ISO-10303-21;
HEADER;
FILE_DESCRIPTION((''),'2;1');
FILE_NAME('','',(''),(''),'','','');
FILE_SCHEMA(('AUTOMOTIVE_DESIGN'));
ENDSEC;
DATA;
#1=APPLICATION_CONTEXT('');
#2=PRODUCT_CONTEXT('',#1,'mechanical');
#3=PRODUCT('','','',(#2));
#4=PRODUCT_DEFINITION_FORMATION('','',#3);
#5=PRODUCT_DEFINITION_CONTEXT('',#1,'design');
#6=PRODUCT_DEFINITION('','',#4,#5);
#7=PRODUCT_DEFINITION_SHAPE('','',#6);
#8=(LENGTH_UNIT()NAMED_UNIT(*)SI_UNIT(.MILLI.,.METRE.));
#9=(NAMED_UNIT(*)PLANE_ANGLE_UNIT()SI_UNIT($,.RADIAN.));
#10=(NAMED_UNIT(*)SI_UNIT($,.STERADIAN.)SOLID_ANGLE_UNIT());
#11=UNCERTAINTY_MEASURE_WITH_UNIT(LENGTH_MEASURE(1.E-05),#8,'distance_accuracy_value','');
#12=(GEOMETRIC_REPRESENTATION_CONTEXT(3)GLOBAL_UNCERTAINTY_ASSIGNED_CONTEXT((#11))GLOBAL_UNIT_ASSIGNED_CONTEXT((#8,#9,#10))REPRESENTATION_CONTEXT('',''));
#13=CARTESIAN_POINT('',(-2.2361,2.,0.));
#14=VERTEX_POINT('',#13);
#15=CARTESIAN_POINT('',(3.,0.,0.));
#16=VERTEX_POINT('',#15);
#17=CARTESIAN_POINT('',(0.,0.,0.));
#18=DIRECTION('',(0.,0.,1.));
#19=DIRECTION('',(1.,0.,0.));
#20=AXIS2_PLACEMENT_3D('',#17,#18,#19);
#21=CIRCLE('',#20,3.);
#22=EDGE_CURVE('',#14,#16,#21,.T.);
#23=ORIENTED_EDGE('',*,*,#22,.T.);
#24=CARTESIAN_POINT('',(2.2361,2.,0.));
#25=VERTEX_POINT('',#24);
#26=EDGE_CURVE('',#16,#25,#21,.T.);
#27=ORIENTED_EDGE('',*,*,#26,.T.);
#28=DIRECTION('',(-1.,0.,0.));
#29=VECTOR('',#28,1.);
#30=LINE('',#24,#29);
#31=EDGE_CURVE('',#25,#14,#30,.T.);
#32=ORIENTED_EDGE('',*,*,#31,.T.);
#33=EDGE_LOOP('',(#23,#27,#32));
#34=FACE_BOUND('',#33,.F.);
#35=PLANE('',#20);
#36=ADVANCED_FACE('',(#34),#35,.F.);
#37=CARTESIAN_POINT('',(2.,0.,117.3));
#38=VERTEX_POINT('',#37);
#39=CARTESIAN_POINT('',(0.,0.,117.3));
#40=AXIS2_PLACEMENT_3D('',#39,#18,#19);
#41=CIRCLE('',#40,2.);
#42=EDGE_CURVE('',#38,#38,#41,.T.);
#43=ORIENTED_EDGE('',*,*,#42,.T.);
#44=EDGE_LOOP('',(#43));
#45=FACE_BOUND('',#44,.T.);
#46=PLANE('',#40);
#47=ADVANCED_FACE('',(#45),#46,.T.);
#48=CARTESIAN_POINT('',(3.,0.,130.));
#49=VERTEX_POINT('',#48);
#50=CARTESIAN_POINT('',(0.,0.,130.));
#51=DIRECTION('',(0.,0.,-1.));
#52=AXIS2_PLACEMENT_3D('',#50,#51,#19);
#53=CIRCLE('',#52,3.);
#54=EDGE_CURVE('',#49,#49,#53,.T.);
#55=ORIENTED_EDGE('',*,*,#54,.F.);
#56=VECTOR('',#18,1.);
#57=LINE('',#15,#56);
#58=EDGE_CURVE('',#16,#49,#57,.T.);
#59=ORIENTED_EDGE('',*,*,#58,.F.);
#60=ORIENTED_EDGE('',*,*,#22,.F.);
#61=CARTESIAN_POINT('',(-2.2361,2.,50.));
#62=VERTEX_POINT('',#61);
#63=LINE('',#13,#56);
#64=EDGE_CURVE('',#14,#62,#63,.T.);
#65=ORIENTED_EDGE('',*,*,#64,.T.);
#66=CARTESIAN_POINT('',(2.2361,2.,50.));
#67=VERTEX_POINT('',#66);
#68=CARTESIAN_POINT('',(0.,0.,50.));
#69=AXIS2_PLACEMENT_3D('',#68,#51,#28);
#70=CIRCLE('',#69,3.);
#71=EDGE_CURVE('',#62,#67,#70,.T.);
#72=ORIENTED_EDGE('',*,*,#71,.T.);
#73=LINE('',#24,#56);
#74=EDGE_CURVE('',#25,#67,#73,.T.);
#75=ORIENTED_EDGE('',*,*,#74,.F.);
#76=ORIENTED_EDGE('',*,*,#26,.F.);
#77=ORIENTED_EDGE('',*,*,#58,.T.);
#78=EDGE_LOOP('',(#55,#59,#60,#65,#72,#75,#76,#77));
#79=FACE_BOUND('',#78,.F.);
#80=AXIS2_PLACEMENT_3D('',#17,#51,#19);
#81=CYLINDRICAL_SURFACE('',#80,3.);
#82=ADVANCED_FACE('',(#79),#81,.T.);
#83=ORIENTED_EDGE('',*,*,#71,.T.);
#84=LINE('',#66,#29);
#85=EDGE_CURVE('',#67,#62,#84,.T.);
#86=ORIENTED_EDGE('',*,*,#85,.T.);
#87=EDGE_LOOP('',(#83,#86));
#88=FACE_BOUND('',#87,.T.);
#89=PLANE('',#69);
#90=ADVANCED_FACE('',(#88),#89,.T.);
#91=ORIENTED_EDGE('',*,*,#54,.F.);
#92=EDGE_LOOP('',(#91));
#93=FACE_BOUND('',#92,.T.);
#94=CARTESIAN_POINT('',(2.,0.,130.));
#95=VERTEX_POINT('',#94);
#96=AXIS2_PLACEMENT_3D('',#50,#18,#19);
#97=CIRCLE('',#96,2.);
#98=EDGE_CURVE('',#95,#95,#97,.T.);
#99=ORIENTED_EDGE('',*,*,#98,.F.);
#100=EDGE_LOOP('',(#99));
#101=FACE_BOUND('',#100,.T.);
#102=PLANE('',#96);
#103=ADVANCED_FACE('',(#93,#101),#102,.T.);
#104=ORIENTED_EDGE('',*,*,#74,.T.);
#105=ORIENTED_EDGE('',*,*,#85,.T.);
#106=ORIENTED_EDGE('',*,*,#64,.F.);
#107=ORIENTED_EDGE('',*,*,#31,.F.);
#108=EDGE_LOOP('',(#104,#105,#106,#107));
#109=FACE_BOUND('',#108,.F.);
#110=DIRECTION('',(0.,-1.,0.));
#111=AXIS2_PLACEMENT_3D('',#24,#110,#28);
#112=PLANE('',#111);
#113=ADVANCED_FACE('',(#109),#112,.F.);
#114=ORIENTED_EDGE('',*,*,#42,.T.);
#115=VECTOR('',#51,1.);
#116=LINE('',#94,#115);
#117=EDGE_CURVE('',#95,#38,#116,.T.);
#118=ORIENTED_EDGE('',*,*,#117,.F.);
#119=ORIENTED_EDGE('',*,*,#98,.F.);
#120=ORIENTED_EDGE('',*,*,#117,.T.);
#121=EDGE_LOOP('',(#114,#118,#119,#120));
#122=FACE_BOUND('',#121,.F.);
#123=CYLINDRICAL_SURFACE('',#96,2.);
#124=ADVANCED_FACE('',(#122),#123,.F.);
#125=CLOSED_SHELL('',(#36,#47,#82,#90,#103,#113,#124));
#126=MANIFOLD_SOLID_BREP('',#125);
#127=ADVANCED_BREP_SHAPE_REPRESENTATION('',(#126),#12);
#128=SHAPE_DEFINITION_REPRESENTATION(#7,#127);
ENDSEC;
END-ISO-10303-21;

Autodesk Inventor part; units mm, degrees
ref_plane "YZ Plane" through (0, 0, 0) normal (1, 0, 0) x (0, 1, 0)
ref_plane "XZ Plane" through (0, 0, 0) normal (0, 1, 0) x (-1, 0, 0)
ref_plane "XY Plane" through (0, 0, 0) normal (0, 0, 1) x (1, 0, 0)
sketch "Sketch1" plane through (0, 0, 0) normal (0, 0, 1) x (1, 0, 0)
  circle A0 centre (0, 0) radius 3
  line L0 (-2.2361, 2) -> (2.2361, 2)
  arc A1 (-2.2361, 2) -> (2.2361, 2) centre (0, 0) ccw
  dimension "d0" = 6
  dimension "d1" = 2
extrude "Extrusion1" add sketch "Sketch1" along normal blind 130
sketch "Sketch3" plane through (0, 0, 130) normal (0, 0, 1) x (1, 0, 0)
  circle A0 centre (0, 0) radius 2
  dimension "d22" = 4
extrude "Extrusion3" cut sketch "Sketch3" against normal blind 12.7
sketch "Sketch4" plane through (0, 0, 0) normal (0, 0, -1) x (-1, 0, 0)
  circle A0 centre (0, 0) radius 3 projected
  line L0 (-2.2361, 2) -> (2.2361, 2)
  arc A1 (-2.2361, 2) -> (2.2361, 2) centre (0, 0) ccw
  dimension "d25" = 2
extrude "Extrusion4" cut sketch "Sketch4" against normal blind 50 contours L0 A0 picked at (-0.5653, 2.1582)
properties part number "6mm x 160mm D Shaft" material "Stainless Steel"
